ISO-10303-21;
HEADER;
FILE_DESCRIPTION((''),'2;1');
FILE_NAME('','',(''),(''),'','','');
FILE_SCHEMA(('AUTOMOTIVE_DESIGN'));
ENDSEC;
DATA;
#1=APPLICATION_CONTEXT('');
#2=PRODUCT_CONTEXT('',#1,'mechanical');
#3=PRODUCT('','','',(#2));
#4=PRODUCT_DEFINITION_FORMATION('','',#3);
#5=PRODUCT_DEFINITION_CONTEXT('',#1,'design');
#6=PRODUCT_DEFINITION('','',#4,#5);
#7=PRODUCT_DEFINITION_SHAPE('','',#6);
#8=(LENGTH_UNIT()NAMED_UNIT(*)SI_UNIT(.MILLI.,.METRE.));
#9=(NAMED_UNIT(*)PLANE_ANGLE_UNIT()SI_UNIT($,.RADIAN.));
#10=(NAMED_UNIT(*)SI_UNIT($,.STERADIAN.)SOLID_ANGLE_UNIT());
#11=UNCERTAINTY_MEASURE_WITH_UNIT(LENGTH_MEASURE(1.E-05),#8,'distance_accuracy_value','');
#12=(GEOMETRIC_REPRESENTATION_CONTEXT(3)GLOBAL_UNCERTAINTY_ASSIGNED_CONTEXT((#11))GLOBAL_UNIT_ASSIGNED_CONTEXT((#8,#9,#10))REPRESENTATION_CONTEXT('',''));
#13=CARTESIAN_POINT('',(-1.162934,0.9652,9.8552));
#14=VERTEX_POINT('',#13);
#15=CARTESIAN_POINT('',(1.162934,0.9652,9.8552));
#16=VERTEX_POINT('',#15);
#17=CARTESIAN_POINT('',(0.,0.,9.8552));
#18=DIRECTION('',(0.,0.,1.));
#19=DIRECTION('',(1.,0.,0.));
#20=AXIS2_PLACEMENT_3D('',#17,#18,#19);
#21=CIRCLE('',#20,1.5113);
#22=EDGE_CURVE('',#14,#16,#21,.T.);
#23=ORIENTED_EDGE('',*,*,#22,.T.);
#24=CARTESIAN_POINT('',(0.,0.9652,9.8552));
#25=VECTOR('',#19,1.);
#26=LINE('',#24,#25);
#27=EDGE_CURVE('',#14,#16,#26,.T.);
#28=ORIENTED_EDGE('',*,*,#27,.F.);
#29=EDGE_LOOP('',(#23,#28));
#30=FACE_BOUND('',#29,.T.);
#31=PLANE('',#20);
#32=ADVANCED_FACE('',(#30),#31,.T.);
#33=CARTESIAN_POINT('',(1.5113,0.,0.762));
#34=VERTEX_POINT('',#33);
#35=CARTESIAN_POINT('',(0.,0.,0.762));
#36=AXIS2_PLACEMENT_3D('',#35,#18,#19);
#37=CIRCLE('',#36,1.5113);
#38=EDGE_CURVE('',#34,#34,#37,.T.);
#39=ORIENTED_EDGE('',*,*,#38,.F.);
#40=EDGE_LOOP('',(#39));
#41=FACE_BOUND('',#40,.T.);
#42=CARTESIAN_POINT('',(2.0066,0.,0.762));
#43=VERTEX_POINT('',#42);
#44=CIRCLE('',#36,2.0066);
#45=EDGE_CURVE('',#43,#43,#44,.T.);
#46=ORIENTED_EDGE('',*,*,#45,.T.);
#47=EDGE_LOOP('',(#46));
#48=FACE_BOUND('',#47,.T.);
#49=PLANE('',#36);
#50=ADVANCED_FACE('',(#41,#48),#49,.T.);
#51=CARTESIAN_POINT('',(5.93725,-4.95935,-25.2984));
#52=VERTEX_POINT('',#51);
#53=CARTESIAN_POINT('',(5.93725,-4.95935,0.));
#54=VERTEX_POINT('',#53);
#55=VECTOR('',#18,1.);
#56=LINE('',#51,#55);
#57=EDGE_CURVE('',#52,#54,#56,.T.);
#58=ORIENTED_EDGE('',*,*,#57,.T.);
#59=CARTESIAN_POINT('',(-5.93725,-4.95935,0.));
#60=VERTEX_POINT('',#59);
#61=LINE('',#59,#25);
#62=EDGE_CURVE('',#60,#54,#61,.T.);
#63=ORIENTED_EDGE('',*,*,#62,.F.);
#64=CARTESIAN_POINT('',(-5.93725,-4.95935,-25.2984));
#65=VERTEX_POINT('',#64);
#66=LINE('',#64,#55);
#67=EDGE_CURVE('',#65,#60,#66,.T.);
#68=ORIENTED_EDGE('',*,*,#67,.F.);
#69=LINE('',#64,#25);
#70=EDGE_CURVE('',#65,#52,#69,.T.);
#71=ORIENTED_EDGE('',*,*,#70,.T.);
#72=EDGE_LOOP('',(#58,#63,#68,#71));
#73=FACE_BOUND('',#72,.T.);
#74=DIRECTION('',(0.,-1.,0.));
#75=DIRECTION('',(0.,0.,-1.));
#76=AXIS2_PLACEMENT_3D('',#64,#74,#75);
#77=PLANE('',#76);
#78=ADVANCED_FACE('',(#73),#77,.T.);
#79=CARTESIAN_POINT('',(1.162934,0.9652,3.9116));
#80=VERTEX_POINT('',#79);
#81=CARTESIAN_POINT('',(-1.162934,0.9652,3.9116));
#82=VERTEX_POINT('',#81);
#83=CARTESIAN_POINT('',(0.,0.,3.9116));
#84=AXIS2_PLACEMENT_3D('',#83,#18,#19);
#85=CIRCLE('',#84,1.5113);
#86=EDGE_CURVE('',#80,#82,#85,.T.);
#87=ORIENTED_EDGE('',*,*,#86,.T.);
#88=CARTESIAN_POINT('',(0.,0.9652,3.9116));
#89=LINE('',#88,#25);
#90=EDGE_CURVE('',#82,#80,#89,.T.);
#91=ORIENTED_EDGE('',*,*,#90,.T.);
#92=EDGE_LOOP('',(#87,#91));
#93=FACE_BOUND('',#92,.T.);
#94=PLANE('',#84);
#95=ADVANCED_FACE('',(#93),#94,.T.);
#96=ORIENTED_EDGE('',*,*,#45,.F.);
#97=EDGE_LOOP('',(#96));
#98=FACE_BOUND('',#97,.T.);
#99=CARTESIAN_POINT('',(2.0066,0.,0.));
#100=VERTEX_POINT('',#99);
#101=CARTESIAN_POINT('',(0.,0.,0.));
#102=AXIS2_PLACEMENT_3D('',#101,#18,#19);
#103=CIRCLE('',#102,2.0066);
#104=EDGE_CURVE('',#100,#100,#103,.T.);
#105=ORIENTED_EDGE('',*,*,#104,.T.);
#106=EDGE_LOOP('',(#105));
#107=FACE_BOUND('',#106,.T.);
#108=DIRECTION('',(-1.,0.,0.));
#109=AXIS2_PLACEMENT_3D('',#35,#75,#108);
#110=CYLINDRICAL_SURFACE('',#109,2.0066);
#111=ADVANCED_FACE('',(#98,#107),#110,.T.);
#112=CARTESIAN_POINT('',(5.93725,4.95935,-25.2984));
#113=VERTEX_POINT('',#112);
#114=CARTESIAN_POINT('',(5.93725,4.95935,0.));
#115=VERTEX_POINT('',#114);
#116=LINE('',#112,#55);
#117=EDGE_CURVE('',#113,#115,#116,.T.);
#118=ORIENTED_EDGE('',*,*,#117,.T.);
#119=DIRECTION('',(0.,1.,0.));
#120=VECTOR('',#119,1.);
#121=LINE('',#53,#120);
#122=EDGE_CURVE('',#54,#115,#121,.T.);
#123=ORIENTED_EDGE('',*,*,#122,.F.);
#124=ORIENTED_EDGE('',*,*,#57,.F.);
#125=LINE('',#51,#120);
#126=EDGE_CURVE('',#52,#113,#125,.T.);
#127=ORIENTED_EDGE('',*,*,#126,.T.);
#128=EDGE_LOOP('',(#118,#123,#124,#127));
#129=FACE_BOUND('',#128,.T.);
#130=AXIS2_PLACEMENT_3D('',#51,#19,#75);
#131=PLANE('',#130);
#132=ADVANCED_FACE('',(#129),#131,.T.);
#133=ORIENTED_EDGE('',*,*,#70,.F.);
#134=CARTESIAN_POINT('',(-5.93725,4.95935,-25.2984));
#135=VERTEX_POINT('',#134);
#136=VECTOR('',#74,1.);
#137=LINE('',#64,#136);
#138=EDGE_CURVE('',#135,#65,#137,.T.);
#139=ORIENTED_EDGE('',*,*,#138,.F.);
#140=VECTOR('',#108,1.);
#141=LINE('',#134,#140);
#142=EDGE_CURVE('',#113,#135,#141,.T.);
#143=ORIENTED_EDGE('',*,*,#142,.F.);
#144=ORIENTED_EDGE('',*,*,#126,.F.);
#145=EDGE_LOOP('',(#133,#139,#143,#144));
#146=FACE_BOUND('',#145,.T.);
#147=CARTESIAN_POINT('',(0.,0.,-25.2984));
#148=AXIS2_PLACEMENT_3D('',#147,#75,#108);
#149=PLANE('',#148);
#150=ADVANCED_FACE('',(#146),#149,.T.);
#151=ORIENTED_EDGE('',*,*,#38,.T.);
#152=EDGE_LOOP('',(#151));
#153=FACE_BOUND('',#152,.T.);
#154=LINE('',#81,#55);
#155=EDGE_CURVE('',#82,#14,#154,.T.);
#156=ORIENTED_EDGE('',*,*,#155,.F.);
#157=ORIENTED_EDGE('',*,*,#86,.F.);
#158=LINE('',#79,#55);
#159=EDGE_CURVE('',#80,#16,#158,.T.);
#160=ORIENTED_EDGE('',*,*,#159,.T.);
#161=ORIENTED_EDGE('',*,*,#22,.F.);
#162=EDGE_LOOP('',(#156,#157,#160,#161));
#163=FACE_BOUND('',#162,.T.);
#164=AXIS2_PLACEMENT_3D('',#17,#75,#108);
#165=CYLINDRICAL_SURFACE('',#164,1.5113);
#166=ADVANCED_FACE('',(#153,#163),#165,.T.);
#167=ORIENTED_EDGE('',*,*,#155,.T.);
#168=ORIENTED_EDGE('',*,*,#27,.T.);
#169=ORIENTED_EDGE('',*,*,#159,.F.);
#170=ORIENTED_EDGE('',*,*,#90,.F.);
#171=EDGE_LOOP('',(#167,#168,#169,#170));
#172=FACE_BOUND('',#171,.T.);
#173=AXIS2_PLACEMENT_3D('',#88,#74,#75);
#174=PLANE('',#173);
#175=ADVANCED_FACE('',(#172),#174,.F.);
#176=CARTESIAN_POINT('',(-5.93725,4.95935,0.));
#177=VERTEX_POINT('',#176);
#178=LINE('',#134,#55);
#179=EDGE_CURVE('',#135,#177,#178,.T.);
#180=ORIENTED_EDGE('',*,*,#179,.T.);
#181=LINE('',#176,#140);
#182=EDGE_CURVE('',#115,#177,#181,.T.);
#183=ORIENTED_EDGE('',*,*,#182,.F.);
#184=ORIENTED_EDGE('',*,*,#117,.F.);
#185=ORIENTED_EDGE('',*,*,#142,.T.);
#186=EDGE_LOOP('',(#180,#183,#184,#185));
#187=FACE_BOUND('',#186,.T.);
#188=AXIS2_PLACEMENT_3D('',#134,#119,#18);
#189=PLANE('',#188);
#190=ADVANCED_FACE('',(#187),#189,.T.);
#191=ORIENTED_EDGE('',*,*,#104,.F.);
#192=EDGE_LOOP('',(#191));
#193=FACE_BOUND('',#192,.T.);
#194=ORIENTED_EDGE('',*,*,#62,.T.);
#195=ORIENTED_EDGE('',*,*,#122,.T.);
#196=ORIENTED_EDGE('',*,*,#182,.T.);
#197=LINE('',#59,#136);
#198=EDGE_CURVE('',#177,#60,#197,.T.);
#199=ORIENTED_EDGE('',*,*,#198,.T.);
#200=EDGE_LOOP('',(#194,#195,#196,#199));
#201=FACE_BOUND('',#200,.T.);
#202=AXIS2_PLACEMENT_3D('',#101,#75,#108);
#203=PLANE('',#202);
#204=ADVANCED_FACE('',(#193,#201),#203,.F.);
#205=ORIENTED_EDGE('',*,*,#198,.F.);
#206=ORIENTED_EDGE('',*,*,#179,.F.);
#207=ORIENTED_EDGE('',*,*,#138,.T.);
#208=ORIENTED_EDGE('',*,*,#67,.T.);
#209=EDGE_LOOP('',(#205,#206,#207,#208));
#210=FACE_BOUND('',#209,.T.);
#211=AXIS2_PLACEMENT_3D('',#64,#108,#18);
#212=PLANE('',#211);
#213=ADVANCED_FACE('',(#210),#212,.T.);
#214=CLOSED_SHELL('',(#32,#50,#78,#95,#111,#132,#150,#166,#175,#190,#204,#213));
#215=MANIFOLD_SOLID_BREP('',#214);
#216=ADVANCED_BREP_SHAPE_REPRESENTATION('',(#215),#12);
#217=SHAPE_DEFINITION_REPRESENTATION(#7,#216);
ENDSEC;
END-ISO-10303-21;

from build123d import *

# Parameters (mm, degrees)
SKETCH1_W           = 11.8745
SKETCH1_H           = 9.9187
BOSS_EXTRUDE1_DEPTH = 25.2984
SKETCH2_R           = 2.0066
BOSS_EXTRUDE2_DEPTH = 0.762
SKETCH3_R           = 1.5113
BOSS_EXTRUDE3_DEPTH = 9.0932
CUT_EXTRUDE1_DEPTH  = 5.9436


with BuildPart() as part:
    # Sketch1 → Boss-Extrude1 (new body)
    with BuildSketch(Plane.XY):
        Rectangle(SKETCH1_W, SKETCH1_H)
    extrude(amount=-BOSS_EXTRUDE1_DEPTH)

    # Sketch2 → Boss-Extrude2 (add)
    with BuildSketch(Plane.XY):
        Circle(SKETCH2_R)
    extrude(amount=BOSS_EXTRUDE2_DEPTH)

    # Sketch3 → Boss-Extrude3 (add)
    with BuildSketch(Plane.XY.offset(0.762)):
        Circle(SKETCH3_R)
    extrude(amount=BOSS_EXTRUDE3_DEPTH)

    # Sketch4 → Cut-Extrude1 (cut)
    with BuildSketch(Plane.XY.offset(9.8552)):
        Polygon((-31.544055033, 0.9652), (-1.667569456, 0.9652), (2.041996645, 0.9652), (31.918482222, 0.9652), (31.918482222, 60.718171154), (-31.544055033, 60.718171154), align=None)
    extrude(amount=-CUT_EXTRUDE1_DEPTH, mode=Mode.SUBTRACT)


solid = part.part
